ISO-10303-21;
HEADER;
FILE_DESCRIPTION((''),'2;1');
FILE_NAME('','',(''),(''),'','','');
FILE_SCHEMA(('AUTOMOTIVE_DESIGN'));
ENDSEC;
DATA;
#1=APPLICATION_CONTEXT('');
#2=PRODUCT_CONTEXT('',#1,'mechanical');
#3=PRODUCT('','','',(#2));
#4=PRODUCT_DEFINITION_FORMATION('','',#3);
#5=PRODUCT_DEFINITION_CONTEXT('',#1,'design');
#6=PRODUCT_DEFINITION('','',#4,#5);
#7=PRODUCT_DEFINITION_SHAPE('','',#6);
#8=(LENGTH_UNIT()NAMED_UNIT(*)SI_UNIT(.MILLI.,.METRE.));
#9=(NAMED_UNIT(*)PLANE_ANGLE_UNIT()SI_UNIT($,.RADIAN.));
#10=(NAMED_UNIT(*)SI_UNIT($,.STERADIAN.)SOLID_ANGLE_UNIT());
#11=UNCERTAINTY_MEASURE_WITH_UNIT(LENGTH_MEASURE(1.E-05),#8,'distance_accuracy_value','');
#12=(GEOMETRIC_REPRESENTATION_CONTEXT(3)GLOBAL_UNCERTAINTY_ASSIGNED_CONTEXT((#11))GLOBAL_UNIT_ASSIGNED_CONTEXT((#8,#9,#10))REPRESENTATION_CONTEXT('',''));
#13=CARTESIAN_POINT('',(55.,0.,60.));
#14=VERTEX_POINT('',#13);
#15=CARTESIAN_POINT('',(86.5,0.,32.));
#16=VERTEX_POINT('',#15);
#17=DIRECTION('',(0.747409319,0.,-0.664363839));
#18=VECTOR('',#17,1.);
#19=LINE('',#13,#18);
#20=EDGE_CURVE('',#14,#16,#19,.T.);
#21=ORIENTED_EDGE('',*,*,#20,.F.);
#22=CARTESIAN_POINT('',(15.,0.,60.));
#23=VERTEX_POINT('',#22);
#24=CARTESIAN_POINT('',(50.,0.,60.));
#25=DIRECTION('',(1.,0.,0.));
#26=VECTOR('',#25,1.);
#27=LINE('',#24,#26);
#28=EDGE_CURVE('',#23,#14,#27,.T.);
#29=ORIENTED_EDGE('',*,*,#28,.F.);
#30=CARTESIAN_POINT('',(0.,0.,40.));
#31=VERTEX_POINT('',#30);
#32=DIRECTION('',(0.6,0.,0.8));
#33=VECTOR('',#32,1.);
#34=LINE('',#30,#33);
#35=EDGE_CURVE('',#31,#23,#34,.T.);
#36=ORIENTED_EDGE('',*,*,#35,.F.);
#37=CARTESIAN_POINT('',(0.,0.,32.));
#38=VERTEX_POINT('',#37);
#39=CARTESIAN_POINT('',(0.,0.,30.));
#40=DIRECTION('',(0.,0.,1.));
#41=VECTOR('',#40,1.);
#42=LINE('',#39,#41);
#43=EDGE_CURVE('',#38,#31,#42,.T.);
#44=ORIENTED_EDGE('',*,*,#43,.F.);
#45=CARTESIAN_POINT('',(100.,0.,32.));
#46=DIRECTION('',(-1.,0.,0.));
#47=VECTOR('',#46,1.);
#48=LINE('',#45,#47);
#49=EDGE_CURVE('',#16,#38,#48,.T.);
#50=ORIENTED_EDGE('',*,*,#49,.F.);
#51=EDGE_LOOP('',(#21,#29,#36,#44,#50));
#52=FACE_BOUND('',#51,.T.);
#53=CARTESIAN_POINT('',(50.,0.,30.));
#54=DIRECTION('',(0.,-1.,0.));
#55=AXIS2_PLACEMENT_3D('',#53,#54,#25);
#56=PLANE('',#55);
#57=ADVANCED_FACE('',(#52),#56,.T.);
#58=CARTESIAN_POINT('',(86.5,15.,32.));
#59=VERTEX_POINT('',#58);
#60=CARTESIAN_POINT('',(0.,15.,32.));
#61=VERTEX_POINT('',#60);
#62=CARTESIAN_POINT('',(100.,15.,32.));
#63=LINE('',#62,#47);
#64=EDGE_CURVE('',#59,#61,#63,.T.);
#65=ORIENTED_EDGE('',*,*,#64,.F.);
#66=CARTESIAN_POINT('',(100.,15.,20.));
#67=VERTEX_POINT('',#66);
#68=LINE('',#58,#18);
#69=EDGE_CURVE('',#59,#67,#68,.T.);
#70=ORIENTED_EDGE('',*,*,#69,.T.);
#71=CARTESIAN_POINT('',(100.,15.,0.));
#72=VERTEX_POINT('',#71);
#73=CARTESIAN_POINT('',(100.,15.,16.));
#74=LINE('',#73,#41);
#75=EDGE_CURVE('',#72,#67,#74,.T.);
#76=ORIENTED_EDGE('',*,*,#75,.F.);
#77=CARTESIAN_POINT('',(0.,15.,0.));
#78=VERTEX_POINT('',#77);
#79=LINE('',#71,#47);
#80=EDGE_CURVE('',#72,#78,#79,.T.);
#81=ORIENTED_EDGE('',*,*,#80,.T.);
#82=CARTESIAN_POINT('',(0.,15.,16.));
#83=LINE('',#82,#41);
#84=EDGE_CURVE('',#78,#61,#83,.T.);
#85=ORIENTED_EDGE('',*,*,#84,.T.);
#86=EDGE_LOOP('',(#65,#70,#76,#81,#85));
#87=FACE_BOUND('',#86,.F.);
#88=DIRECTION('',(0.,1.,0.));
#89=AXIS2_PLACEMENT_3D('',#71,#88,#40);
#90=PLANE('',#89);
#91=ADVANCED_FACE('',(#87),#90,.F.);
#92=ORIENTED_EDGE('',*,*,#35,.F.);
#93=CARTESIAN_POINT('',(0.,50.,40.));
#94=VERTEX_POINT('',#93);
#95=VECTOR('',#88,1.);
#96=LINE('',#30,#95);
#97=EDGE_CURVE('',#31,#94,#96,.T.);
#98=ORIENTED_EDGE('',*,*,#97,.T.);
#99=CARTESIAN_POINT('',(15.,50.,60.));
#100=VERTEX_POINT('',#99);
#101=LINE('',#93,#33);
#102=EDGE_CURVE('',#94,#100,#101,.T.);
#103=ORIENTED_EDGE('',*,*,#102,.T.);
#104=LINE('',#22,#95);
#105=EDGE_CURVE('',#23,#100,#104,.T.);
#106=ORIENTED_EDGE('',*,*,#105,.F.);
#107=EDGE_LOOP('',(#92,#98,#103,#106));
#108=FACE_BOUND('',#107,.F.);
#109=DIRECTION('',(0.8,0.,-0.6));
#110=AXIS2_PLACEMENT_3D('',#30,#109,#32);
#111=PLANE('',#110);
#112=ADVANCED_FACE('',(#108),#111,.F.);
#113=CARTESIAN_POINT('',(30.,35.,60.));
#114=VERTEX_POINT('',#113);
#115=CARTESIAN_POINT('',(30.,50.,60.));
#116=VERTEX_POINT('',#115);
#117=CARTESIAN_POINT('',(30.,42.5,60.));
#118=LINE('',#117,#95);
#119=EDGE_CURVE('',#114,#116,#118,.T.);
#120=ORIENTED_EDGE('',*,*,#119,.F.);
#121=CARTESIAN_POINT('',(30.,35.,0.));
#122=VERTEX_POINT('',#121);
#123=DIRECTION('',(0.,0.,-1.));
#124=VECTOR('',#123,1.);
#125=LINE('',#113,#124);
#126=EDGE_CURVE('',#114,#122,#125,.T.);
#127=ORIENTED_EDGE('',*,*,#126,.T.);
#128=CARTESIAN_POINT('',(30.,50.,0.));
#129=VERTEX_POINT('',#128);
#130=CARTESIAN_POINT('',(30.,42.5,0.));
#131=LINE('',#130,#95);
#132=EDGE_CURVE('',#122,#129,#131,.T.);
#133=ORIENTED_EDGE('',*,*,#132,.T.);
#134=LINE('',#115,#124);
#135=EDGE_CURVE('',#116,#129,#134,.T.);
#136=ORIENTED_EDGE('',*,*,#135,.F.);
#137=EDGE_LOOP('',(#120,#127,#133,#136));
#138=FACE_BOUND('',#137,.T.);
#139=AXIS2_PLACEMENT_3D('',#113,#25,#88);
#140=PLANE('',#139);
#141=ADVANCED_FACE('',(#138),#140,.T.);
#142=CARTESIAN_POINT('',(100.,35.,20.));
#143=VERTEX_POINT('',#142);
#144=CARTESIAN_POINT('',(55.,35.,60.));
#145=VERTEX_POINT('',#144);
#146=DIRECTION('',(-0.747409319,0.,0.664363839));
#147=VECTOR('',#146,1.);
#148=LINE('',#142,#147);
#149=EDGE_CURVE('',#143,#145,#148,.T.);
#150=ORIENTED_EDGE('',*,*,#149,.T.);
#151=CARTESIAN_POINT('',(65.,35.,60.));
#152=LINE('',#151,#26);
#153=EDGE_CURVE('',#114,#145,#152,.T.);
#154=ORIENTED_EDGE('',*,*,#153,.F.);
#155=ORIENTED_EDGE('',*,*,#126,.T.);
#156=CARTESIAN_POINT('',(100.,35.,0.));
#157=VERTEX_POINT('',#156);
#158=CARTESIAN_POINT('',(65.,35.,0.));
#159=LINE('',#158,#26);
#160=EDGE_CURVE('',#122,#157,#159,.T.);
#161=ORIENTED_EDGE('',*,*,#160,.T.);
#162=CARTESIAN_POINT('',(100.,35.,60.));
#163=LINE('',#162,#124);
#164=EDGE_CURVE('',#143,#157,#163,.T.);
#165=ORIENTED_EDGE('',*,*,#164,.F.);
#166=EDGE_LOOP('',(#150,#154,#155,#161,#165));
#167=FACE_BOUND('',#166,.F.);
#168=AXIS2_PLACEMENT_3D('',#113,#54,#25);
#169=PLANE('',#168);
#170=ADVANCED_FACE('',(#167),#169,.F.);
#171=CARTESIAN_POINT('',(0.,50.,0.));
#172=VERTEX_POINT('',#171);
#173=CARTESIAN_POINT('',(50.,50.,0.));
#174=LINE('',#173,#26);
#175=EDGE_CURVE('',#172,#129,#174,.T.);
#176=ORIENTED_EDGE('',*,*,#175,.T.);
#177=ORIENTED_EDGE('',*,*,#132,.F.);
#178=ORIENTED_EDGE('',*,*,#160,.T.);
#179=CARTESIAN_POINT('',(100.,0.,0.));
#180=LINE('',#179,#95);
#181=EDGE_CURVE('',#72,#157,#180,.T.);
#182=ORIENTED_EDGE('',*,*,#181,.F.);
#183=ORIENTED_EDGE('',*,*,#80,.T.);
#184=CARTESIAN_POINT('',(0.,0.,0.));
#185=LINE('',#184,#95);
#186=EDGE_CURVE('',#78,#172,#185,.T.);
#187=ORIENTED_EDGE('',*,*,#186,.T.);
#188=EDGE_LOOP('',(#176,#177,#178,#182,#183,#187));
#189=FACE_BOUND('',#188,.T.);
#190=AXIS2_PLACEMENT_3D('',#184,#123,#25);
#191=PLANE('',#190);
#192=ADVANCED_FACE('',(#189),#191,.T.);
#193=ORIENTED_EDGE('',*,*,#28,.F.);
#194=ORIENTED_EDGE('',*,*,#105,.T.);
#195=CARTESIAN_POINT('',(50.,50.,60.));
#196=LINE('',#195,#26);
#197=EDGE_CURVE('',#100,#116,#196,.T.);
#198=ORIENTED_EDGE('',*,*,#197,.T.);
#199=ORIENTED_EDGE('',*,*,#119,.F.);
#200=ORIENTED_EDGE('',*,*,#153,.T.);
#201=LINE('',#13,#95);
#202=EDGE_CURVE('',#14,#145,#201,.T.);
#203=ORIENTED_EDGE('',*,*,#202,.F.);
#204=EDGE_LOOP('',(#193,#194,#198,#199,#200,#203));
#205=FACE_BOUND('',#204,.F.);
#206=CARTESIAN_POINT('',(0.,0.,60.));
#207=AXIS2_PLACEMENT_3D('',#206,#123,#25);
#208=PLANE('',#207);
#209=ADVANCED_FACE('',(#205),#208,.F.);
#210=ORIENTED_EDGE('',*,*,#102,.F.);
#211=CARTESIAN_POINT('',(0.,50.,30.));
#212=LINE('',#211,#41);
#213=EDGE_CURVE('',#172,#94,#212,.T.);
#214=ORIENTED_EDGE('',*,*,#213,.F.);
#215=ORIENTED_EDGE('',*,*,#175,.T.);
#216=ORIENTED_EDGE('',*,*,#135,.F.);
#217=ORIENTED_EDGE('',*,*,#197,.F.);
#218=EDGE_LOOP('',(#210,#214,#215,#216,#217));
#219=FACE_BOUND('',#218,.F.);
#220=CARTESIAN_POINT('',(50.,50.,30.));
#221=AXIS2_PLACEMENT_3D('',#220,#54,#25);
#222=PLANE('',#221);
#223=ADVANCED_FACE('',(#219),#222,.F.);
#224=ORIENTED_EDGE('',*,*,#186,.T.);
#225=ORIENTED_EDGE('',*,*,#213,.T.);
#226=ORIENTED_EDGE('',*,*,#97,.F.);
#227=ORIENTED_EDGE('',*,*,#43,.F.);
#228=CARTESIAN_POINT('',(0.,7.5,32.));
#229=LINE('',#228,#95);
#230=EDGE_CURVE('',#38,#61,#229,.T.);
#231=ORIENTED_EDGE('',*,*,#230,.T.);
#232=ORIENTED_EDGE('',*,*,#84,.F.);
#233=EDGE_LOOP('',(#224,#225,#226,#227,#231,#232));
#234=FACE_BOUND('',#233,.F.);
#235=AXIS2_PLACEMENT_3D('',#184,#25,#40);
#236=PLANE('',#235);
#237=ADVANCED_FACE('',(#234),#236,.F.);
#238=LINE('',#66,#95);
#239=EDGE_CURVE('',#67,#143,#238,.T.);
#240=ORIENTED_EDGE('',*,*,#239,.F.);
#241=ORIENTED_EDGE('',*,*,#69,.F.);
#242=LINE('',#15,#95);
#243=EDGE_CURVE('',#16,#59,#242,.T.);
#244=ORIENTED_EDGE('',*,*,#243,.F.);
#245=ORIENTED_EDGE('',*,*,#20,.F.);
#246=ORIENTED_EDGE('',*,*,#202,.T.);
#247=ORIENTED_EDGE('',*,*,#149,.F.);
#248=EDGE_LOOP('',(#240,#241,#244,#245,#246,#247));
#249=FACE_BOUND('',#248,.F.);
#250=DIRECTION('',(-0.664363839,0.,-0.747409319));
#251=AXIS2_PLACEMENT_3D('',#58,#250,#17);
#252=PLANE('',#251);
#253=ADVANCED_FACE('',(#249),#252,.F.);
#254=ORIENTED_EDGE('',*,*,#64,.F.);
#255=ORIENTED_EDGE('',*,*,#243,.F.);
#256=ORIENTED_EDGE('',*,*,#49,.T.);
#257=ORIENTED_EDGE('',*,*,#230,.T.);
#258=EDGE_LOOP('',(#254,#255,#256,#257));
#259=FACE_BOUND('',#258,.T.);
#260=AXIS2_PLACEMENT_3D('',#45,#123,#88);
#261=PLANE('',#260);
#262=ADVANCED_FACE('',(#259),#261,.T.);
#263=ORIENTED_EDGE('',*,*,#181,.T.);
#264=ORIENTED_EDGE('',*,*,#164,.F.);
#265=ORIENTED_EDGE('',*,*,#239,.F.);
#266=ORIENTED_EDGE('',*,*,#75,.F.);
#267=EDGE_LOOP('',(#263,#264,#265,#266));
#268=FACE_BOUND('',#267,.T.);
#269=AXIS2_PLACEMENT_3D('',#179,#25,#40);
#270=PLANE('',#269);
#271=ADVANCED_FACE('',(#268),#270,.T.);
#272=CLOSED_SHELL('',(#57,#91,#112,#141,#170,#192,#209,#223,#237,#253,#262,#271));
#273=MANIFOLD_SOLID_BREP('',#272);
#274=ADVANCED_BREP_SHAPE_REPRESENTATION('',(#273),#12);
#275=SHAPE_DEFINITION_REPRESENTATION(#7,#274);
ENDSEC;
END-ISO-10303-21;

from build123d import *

# Parameters (mm, degrees)
F0_W      = 100
F0_H      = 60
F1_DEPTH  = 50
F2_W      = 70
F2_H      = 15
F3_DEPTH  = 60
F4_W      = 15
F4_H      = 32
F5_DEPTH  = 100
F7_DEPTH  = 50
F9_DEPTH  = 35
F11_DEPTH = 20


with BuildPart() as f1:
    # F0 (on Front) → F1 (new body)
    with BuildSketch(Plane.XZ):
        with Locations((50, 30)):
            Rectangle(F0_W, F0_H)
    extrude(amount=-F1_DEPTH)

    # F2 (on face) → F3 (cut, through all)
    with BuildSketch(Plane.XY.offset(60)):
        with Locations((65, 42.5)):
            Rectangle(F2_W, F2_H)
    extrude(amount=-F3_DEPTH, mode=Mode.SUBTRACT)

    # F4 (on face) → F5 (cut, through all)
    with BuildSketch(Plane.YZ.offset(100)):
        with Locations((7.5, 16)):
            Rectangle(F4_W, F4_H)
    extrude(amount=-F5_DEPTH, mode=Mode.SUBTRACT)

    # F6 (on face) → F7 (cut, through all)
    with BuildSketch(Plane.XZ):
        Polygon((0, 40), (15, 60), (0, 60), align=None)
    extrude(amount=-F7_DEPTH, mode=Mode.SUBTRACT)

    # F8 (on face) → F9 (cut, through all)
    with BuildSketch(Plane.XZ):
        Polygon((100, 60), (55, 60), (86.5, 32), (100, 32), align=None)
    extrude(amount=-F9_DEPTH, mode=Mode.SUBTRACT)

    # F10 (on face) → F11 (cut, through all)
    with BuildSketch(Plane.XZ.offset(-15)):
        Polygon((100, 32), (86.5, 32), (100, 20), align=None)
    extrude(amount=-F11_DEPTH, mode=Mode.SUBTRACT)


solid = f1.part
